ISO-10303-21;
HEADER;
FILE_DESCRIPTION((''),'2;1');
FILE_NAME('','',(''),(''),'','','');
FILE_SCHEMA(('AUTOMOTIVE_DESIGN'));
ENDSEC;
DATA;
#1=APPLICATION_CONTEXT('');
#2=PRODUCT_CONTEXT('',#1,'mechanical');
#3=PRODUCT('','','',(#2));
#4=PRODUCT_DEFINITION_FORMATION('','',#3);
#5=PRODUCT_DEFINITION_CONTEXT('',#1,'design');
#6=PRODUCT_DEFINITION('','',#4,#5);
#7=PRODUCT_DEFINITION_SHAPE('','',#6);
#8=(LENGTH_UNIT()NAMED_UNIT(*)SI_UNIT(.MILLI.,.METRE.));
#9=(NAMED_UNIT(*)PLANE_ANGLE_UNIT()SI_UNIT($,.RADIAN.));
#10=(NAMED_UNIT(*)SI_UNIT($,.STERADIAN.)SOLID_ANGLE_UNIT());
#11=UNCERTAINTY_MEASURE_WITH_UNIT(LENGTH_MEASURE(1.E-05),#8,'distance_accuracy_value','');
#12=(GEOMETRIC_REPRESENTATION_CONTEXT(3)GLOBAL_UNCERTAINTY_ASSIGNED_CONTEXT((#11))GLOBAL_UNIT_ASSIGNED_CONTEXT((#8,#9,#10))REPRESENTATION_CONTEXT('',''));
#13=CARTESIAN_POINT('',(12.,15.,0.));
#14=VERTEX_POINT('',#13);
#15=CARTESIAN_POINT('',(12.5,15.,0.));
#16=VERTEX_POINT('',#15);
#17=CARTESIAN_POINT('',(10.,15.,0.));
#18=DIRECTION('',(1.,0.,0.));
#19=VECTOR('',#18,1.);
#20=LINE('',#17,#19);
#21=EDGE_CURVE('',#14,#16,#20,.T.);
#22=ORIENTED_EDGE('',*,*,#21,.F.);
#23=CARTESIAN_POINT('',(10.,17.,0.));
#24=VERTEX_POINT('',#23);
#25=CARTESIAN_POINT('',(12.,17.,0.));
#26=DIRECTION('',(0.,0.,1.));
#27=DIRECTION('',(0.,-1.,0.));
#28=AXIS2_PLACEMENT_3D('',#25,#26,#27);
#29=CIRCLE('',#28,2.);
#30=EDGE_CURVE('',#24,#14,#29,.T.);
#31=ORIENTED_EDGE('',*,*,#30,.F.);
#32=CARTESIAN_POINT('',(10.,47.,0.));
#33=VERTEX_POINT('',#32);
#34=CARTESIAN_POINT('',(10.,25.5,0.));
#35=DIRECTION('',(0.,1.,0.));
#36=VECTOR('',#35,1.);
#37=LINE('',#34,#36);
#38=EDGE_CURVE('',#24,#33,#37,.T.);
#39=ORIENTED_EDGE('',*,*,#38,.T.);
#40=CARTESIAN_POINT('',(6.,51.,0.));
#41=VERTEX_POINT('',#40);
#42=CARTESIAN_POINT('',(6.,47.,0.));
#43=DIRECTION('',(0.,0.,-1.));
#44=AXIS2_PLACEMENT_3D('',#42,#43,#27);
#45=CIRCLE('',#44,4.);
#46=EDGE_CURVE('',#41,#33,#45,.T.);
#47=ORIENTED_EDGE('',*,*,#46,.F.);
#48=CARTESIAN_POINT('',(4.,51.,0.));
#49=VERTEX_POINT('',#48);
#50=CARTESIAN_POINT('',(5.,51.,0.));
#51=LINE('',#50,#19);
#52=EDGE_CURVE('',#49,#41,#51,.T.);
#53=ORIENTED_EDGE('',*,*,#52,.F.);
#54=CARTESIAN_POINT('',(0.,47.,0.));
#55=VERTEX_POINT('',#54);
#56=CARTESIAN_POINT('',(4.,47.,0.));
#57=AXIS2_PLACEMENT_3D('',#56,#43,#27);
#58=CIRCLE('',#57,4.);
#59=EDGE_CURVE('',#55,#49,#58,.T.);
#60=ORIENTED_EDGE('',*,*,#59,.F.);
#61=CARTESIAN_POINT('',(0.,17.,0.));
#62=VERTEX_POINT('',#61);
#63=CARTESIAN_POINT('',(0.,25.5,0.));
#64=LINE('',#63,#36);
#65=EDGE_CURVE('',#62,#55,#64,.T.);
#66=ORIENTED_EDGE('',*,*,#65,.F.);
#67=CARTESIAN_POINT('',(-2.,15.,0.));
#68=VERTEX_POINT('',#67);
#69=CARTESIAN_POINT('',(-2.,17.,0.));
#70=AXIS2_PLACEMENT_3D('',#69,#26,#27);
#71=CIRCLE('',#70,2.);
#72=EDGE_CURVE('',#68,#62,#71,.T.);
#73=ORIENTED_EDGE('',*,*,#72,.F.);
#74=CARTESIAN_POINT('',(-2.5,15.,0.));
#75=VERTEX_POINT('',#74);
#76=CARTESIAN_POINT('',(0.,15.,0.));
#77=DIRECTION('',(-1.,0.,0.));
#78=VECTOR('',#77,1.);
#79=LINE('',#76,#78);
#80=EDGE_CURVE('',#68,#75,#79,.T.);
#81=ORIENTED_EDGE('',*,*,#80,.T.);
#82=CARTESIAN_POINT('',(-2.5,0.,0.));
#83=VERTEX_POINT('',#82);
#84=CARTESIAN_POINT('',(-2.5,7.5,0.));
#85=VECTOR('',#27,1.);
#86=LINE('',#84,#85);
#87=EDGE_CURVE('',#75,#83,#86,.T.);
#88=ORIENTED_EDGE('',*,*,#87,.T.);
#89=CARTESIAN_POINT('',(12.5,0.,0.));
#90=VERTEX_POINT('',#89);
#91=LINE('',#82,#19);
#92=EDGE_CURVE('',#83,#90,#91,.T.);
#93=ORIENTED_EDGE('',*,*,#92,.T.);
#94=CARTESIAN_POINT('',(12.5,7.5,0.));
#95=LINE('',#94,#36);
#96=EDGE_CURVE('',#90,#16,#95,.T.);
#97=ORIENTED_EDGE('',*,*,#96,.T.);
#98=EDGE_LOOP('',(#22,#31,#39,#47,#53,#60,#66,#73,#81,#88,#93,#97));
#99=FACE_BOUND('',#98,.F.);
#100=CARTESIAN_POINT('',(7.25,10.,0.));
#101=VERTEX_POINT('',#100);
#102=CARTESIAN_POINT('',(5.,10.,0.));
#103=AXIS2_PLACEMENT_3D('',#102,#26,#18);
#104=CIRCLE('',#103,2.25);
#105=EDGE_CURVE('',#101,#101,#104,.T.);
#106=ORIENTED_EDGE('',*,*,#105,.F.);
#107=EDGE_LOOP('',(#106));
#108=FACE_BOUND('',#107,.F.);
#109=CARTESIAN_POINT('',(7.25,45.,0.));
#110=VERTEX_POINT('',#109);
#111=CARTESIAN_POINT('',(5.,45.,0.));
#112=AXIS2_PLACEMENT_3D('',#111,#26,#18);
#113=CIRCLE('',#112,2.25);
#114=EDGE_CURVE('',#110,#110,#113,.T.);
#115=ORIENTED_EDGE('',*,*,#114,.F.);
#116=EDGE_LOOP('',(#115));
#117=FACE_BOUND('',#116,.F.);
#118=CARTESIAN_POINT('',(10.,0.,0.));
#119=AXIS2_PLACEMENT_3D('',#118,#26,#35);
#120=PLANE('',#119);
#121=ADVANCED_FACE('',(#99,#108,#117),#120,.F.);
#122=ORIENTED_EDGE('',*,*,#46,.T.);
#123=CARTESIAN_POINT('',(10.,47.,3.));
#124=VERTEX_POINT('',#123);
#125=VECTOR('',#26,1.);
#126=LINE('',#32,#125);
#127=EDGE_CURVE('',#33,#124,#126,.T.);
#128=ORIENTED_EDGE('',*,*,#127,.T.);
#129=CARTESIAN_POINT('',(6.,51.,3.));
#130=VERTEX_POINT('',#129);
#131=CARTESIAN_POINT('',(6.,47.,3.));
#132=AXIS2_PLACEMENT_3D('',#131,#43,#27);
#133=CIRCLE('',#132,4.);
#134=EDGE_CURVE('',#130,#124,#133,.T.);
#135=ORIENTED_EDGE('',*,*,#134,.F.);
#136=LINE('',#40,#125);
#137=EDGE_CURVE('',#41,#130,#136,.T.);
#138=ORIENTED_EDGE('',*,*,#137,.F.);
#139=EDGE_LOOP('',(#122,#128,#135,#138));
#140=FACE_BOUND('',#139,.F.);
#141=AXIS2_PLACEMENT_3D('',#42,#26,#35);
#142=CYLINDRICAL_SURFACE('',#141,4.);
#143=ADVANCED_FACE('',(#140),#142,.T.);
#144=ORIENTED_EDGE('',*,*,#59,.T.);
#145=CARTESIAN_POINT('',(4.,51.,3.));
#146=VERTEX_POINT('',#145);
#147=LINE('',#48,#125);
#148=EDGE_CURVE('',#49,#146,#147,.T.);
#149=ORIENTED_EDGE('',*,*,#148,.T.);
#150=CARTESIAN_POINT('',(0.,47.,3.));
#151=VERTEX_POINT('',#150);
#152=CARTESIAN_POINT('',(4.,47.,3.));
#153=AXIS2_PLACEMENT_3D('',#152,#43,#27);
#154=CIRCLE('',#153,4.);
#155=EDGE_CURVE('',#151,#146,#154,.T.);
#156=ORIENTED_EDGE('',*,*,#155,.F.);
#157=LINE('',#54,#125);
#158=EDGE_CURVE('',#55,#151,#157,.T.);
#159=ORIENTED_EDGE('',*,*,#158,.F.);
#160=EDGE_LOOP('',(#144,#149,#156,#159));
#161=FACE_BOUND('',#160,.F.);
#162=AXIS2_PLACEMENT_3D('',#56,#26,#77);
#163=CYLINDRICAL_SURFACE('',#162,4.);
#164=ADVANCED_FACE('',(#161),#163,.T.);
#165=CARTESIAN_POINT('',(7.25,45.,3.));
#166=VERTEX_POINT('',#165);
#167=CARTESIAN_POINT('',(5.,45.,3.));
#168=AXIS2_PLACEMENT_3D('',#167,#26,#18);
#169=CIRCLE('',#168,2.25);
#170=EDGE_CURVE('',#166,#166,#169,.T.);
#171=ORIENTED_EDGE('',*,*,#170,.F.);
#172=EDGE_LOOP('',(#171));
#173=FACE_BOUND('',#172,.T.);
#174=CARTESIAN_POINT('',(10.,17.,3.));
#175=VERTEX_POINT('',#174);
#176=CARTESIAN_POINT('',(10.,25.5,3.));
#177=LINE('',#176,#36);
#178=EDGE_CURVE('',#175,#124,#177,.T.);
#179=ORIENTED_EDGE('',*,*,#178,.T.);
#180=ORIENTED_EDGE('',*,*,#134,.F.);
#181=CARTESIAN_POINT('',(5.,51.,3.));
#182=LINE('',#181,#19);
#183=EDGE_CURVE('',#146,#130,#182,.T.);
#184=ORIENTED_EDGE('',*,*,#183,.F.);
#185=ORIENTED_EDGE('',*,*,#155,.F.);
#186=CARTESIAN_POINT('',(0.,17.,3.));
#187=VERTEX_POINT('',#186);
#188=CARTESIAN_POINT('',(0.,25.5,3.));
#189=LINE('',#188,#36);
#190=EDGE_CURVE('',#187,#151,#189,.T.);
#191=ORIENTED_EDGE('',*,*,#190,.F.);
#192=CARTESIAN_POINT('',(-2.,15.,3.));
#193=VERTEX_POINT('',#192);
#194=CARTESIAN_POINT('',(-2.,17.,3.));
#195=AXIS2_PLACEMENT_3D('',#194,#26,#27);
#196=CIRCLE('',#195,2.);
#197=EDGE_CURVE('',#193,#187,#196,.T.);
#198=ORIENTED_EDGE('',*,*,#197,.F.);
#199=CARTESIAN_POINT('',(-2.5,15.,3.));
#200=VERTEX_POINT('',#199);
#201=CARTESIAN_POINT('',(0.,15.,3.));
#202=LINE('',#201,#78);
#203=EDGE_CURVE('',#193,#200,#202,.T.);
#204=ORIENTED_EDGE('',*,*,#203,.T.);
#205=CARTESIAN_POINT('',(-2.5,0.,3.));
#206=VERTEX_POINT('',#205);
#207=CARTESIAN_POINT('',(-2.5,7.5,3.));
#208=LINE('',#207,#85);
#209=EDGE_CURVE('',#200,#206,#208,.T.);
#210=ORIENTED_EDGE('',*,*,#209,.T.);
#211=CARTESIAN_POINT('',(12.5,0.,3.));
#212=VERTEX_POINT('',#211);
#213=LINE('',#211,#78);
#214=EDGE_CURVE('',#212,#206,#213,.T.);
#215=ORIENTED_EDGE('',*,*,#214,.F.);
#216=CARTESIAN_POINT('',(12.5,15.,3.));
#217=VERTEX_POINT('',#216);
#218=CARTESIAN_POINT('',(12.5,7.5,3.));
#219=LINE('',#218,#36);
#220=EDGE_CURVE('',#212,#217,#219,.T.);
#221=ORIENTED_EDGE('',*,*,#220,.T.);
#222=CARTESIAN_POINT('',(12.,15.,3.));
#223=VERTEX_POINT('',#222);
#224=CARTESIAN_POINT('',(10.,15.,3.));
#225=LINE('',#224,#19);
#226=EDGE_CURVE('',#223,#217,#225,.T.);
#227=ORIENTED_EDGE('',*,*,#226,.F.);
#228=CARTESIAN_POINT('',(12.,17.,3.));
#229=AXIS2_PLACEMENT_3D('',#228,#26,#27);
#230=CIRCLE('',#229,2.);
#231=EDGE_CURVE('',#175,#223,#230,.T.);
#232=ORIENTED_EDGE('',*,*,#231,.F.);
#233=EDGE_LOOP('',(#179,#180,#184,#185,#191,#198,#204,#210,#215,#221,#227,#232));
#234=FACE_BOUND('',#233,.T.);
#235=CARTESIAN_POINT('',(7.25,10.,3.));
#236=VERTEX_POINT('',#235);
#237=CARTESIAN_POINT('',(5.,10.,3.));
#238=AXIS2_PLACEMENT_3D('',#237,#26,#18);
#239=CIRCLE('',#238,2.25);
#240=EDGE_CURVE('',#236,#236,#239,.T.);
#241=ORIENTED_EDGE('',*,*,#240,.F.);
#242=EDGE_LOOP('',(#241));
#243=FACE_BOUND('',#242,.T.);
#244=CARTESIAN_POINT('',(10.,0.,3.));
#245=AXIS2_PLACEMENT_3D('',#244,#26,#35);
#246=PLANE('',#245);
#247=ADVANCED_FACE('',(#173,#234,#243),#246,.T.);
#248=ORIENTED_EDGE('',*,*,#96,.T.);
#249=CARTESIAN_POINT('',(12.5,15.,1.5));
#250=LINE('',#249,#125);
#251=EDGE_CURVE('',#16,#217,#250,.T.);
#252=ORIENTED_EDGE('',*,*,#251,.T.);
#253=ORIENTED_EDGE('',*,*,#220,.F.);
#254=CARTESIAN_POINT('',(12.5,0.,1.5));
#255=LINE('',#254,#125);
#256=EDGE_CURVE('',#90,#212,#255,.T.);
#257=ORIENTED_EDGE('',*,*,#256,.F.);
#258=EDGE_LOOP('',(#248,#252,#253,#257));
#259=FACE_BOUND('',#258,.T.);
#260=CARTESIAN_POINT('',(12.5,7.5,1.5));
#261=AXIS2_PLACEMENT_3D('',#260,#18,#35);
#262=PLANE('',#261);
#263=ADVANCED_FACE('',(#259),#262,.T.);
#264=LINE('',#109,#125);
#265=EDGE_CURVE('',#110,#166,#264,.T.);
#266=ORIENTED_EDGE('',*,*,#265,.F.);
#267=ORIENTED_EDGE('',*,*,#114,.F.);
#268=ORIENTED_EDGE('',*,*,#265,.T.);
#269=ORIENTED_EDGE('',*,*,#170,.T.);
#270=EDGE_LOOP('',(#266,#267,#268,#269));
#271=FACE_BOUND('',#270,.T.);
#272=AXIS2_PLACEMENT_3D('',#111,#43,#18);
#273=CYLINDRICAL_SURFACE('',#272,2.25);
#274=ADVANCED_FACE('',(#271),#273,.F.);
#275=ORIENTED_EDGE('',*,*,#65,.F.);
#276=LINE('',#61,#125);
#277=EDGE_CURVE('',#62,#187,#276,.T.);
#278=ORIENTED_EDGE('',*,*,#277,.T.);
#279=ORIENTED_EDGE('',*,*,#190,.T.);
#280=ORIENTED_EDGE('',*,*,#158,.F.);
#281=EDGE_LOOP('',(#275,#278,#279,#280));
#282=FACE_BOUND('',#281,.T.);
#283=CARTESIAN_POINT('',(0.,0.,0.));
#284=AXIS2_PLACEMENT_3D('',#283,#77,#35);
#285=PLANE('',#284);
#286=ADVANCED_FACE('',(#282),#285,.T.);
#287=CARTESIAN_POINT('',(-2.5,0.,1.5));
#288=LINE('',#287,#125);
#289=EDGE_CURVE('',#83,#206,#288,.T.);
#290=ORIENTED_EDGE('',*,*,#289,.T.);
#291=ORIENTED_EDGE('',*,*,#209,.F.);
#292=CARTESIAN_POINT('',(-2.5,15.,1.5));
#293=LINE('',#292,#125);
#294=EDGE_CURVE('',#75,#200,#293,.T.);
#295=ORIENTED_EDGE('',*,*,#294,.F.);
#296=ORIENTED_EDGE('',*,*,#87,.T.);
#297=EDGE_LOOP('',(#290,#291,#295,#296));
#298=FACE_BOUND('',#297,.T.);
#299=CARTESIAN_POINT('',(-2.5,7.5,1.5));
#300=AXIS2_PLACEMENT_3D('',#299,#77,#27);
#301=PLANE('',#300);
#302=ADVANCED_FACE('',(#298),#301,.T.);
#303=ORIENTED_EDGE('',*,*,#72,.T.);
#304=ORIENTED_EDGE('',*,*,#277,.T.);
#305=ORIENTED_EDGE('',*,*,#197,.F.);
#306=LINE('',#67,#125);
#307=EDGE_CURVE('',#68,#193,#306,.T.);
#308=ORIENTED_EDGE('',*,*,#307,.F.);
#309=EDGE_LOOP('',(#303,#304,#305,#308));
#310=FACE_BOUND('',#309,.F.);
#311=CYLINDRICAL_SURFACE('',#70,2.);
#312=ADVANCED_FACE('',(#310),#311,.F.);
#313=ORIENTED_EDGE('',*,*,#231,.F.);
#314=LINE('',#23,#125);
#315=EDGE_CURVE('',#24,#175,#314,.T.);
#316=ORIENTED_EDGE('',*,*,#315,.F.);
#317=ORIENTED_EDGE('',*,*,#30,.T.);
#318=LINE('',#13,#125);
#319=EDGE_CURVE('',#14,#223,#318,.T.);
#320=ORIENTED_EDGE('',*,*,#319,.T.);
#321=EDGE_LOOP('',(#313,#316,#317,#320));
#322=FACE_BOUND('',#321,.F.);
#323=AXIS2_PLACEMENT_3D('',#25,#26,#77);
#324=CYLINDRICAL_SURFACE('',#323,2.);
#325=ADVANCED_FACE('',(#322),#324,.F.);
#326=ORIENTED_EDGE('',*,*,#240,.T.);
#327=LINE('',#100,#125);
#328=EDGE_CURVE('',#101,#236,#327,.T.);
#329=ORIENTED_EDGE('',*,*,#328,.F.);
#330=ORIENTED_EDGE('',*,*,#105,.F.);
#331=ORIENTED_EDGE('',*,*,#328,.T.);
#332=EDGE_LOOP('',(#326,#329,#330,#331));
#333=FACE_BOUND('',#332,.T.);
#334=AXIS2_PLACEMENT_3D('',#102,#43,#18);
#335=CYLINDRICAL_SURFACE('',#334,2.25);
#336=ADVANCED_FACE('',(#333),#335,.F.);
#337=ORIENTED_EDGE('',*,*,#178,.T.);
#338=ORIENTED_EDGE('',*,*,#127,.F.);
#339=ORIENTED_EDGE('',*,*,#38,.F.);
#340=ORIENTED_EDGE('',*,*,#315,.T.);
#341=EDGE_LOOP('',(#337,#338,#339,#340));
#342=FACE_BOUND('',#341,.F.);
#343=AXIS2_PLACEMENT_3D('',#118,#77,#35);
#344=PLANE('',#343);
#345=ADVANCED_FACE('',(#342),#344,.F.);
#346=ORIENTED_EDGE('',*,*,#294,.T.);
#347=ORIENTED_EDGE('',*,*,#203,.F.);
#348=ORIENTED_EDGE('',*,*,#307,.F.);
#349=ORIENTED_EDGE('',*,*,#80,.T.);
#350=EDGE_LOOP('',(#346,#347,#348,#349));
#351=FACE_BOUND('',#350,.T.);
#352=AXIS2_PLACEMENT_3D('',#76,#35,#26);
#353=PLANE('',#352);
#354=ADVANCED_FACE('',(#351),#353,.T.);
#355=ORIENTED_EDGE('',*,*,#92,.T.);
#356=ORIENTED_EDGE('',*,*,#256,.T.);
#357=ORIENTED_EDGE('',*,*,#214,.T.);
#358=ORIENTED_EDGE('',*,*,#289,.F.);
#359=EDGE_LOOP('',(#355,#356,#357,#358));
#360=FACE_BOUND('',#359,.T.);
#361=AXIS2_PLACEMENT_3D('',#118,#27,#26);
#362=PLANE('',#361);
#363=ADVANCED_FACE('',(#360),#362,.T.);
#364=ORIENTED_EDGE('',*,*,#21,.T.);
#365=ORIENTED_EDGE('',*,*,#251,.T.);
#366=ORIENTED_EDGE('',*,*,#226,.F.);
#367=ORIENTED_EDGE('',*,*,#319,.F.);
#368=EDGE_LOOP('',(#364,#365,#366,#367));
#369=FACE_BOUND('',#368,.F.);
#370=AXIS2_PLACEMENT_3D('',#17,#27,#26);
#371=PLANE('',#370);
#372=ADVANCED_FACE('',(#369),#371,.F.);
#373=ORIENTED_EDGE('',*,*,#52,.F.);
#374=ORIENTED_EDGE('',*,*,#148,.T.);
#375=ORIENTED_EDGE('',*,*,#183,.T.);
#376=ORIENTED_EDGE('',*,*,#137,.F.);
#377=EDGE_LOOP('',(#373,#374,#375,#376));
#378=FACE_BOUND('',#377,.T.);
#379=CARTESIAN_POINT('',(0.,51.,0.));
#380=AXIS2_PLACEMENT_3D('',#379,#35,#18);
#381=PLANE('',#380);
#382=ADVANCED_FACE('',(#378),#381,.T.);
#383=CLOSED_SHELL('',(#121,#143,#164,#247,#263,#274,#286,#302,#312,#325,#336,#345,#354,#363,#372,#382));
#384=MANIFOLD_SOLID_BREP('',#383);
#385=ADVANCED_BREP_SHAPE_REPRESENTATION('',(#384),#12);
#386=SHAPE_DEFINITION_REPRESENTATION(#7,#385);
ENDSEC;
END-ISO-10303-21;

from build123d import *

# Parameters (mm, degrees)
SKETCH_W     = 10
SKETCH_H     = 51
SKETCH_R     = 2.25
PAD_DEPTH    = 3
FILLET_R     = 4
SKETCH001_W  = 15
SKETCH001_H  = 3
PAD001_DEPTH = 2.5
SKETCH002_W  = 15
SKETCH002_H  = 3
PAD002_DEPTH = 2.5
FILLET001_R  = 2


with BuildPart() as part:
    # Sketch → Pad (new body)
    with BuildSketch(Plane.XY):
        with Locations((5, 25.5)):
            Rectangle(SKETCH_W, SKETCH_H)
        with Locations((5, 45)):
            Circle(SKETCH_R, mode=Mode.SUBTRACT)
        with Locations((5, 10)):
            Circle(SKETCH_R, mode=Mode.SUBTRACT)
    extrude(amount=PAD_DEPTH)

    # Fillet
    fillet_edges = [part.edges().sort_by_distance(p)[0] for p in [
        (0, 51, 1.5),
        (10, 51, 1.5),
    ]]
    fillet(fillet_edges, radius=FILLET_R)

    # Sketch001 (on Face7 of Fillet) → Pad001 (join)
    with BuildSketch(Plane(origin=(0, 0, 0), x_dir=(0, -1, 0), z_dir=(-1, 0, 0))):
        with Locations((-7.5, 1.5)):
            Rectangle(SKETCH001_W, SKETCH001_H)
    extrude(amount=PAD001_DEPTH)

    # Sketch002 (on Face1 of Pad001) → Pad002 (join)
    with BuildSketch(Plane.YZ.offset(10)):
        with Locations((7.5, 1.5)):
            Rectangle(SKETCH002_W, SKETCH002_H)
    extrude(amount=PAD002_DEPTH)

    # Fillet001
    fillet001_edges = [part.edges().sort_by_distance(p)[0] for p in [
        (0, 15, 1.5),
        (10, 15, 1.5),
    ]]
    fillet(fillet001_edges, radius=FILLET001_R)


solid = part.part
